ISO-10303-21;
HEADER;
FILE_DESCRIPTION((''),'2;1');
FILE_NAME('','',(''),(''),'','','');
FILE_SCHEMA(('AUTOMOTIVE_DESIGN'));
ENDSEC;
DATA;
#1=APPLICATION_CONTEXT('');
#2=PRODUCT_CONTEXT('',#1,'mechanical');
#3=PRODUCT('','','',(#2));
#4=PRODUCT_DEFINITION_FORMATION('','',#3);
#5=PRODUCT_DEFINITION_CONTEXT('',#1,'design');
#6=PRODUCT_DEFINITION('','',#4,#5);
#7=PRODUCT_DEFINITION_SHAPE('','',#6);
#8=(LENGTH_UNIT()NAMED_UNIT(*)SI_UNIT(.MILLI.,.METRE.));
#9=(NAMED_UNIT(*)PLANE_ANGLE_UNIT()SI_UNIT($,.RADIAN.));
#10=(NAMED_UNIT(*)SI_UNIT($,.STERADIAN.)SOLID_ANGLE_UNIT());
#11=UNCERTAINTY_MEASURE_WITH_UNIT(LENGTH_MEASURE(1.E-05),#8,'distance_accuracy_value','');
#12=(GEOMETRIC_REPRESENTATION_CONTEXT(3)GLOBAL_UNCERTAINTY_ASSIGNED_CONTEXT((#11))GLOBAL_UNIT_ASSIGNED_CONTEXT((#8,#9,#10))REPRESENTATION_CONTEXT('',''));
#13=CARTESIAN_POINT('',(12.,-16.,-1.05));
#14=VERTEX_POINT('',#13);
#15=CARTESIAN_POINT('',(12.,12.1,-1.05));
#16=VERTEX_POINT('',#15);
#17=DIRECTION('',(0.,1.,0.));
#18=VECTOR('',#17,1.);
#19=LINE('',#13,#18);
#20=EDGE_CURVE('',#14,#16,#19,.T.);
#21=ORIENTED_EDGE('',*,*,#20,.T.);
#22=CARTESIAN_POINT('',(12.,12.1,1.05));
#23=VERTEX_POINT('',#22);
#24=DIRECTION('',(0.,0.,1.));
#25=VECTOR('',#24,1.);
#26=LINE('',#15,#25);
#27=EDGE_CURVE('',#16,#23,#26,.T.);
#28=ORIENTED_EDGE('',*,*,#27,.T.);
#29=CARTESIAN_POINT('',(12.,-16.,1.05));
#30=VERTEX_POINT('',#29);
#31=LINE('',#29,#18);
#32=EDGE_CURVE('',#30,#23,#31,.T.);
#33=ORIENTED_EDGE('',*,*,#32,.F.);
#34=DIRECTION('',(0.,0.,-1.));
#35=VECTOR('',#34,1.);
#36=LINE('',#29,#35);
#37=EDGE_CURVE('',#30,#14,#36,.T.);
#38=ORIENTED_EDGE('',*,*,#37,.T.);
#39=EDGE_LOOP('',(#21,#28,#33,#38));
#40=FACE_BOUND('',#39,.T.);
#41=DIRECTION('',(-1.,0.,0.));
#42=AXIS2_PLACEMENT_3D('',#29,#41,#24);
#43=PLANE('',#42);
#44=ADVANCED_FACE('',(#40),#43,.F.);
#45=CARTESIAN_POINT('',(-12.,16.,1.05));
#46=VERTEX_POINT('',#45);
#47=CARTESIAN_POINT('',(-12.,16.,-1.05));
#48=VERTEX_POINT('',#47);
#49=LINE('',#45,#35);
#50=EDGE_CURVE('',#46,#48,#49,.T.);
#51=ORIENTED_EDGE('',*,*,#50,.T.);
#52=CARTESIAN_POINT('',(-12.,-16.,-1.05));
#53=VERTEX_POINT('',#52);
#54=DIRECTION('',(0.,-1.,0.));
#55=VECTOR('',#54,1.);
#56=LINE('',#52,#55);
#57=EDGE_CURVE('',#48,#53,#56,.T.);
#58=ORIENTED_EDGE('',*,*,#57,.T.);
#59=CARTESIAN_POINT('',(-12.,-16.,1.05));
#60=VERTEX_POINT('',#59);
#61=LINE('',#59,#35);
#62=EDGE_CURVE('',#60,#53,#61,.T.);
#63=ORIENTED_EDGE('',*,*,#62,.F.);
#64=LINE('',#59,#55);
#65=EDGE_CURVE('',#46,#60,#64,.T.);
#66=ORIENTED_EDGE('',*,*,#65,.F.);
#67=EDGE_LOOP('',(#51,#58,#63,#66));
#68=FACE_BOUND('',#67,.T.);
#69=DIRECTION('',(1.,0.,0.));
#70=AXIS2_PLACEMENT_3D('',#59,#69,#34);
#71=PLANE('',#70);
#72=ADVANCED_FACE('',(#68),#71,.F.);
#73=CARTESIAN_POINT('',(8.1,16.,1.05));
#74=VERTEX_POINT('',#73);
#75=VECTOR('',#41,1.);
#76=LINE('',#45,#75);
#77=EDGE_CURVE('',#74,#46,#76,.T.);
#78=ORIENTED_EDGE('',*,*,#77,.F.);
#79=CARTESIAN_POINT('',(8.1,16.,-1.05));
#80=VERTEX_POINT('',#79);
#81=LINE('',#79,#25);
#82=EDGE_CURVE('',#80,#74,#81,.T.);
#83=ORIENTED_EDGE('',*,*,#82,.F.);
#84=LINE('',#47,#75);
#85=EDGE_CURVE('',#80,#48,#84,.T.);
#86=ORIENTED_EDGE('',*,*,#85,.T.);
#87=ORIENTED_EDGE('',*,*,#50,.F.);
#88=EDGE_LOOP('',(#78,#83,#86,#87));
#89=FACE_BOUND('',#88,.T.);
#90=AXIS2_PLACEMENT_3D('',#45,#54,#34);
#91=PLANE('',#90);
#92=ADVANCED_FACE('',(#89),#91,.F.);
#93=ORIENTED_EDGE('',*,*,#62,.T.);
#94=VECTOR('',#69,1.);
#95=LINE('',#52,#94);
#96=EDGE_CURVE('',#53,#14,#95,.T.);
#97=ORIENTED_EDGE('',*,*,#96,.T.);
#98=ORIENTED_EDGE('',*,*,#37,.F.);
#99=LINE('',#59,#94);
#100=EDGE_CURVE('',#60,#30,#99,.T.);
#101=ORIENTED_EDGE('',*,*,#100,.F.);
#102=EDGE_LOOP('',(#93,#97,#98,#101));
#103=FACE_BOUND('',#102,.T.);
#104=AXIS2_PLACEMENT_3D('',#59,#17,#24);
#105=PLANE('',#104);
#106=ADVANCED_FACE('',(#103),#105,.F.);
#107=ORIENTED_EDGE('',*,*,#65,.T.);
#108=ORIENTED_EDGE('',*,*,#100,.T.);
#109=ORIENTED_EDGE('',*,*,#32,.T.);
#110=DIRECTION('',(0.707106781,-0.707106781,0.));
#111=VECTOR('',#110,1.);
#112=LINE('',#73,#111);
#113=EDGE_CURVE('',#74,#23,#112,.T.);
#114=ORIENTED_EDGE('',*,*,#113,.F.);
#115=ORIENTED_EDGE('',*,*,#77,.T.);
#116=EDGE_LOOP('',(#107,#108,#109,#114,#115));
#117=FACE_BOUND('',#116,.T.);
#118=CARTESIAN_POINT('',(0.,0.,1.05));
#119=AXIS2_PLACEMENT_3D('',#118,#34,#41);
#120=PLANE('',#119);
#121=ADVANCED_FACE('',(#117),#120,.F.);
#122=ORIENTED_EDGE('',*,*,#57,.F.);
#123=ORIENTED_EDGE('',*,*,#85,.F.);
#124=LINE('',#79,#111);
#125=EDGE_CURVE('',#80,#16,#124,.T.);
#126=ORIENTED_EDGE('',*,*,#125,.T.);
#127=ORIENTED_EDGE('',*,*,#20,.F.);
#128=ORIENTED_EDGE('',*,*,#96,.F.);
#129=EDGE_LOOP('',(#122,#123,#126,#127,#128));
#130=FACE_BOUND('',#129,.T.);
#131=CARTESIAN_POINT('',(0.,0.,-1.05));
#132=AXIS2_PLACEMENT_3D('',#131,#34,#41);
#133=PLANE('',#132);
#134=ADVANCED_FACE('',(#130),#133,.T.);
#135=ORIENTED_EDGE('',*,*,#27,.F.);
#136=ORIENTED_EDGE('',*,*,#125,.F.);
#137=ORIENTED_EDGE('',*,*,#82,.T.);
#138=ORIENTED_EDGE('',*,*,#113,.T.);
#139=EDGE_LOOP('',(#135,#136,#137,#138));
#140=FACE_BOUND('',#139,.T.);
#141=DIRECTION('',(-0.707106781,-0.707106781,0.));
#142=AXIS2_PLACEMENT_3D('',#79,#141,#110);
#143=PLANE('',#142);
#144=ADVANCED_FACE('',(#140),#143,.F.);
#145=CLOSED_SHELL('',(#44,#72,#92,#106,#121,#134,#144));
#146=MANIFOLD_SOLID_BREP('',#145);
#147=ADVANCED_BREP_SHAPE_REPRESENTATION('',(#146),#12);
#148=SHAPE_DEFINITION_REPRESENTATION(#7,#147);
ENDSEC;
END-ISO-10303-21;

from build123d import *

# Parameters (mm, degrees)
SKETCH1_W           = 24
SKETCH1_H           = 32
BOSS_EXTRUDE1_DEPTH = 1.05
CUT_EXTRUDE1_DEPTH  = 21.109947787


with BuildPart() as part:
    # Sketch1 → Boss-Extrude1 (new, symmetric)
    with BuildSketch(Plane.XY):
        Rectangle(SKETCH1_W, SKETCH1_H)
    extrude(amount=BOSS_EXTRUDE1_DEPTH, both=True)

    # Sketch2 → Cut-Extrude1 (cut, through all)
    with BuildSketch(Plane.XY.offset(1.05)):
        Polygon((12, 16), (8.1, 16), (12, 12.1), align=None)
    extrude(amount=-CUT_EXTRUDE1_DEPTH, mode=Mode.SUBTRACT)


solid = part.part
